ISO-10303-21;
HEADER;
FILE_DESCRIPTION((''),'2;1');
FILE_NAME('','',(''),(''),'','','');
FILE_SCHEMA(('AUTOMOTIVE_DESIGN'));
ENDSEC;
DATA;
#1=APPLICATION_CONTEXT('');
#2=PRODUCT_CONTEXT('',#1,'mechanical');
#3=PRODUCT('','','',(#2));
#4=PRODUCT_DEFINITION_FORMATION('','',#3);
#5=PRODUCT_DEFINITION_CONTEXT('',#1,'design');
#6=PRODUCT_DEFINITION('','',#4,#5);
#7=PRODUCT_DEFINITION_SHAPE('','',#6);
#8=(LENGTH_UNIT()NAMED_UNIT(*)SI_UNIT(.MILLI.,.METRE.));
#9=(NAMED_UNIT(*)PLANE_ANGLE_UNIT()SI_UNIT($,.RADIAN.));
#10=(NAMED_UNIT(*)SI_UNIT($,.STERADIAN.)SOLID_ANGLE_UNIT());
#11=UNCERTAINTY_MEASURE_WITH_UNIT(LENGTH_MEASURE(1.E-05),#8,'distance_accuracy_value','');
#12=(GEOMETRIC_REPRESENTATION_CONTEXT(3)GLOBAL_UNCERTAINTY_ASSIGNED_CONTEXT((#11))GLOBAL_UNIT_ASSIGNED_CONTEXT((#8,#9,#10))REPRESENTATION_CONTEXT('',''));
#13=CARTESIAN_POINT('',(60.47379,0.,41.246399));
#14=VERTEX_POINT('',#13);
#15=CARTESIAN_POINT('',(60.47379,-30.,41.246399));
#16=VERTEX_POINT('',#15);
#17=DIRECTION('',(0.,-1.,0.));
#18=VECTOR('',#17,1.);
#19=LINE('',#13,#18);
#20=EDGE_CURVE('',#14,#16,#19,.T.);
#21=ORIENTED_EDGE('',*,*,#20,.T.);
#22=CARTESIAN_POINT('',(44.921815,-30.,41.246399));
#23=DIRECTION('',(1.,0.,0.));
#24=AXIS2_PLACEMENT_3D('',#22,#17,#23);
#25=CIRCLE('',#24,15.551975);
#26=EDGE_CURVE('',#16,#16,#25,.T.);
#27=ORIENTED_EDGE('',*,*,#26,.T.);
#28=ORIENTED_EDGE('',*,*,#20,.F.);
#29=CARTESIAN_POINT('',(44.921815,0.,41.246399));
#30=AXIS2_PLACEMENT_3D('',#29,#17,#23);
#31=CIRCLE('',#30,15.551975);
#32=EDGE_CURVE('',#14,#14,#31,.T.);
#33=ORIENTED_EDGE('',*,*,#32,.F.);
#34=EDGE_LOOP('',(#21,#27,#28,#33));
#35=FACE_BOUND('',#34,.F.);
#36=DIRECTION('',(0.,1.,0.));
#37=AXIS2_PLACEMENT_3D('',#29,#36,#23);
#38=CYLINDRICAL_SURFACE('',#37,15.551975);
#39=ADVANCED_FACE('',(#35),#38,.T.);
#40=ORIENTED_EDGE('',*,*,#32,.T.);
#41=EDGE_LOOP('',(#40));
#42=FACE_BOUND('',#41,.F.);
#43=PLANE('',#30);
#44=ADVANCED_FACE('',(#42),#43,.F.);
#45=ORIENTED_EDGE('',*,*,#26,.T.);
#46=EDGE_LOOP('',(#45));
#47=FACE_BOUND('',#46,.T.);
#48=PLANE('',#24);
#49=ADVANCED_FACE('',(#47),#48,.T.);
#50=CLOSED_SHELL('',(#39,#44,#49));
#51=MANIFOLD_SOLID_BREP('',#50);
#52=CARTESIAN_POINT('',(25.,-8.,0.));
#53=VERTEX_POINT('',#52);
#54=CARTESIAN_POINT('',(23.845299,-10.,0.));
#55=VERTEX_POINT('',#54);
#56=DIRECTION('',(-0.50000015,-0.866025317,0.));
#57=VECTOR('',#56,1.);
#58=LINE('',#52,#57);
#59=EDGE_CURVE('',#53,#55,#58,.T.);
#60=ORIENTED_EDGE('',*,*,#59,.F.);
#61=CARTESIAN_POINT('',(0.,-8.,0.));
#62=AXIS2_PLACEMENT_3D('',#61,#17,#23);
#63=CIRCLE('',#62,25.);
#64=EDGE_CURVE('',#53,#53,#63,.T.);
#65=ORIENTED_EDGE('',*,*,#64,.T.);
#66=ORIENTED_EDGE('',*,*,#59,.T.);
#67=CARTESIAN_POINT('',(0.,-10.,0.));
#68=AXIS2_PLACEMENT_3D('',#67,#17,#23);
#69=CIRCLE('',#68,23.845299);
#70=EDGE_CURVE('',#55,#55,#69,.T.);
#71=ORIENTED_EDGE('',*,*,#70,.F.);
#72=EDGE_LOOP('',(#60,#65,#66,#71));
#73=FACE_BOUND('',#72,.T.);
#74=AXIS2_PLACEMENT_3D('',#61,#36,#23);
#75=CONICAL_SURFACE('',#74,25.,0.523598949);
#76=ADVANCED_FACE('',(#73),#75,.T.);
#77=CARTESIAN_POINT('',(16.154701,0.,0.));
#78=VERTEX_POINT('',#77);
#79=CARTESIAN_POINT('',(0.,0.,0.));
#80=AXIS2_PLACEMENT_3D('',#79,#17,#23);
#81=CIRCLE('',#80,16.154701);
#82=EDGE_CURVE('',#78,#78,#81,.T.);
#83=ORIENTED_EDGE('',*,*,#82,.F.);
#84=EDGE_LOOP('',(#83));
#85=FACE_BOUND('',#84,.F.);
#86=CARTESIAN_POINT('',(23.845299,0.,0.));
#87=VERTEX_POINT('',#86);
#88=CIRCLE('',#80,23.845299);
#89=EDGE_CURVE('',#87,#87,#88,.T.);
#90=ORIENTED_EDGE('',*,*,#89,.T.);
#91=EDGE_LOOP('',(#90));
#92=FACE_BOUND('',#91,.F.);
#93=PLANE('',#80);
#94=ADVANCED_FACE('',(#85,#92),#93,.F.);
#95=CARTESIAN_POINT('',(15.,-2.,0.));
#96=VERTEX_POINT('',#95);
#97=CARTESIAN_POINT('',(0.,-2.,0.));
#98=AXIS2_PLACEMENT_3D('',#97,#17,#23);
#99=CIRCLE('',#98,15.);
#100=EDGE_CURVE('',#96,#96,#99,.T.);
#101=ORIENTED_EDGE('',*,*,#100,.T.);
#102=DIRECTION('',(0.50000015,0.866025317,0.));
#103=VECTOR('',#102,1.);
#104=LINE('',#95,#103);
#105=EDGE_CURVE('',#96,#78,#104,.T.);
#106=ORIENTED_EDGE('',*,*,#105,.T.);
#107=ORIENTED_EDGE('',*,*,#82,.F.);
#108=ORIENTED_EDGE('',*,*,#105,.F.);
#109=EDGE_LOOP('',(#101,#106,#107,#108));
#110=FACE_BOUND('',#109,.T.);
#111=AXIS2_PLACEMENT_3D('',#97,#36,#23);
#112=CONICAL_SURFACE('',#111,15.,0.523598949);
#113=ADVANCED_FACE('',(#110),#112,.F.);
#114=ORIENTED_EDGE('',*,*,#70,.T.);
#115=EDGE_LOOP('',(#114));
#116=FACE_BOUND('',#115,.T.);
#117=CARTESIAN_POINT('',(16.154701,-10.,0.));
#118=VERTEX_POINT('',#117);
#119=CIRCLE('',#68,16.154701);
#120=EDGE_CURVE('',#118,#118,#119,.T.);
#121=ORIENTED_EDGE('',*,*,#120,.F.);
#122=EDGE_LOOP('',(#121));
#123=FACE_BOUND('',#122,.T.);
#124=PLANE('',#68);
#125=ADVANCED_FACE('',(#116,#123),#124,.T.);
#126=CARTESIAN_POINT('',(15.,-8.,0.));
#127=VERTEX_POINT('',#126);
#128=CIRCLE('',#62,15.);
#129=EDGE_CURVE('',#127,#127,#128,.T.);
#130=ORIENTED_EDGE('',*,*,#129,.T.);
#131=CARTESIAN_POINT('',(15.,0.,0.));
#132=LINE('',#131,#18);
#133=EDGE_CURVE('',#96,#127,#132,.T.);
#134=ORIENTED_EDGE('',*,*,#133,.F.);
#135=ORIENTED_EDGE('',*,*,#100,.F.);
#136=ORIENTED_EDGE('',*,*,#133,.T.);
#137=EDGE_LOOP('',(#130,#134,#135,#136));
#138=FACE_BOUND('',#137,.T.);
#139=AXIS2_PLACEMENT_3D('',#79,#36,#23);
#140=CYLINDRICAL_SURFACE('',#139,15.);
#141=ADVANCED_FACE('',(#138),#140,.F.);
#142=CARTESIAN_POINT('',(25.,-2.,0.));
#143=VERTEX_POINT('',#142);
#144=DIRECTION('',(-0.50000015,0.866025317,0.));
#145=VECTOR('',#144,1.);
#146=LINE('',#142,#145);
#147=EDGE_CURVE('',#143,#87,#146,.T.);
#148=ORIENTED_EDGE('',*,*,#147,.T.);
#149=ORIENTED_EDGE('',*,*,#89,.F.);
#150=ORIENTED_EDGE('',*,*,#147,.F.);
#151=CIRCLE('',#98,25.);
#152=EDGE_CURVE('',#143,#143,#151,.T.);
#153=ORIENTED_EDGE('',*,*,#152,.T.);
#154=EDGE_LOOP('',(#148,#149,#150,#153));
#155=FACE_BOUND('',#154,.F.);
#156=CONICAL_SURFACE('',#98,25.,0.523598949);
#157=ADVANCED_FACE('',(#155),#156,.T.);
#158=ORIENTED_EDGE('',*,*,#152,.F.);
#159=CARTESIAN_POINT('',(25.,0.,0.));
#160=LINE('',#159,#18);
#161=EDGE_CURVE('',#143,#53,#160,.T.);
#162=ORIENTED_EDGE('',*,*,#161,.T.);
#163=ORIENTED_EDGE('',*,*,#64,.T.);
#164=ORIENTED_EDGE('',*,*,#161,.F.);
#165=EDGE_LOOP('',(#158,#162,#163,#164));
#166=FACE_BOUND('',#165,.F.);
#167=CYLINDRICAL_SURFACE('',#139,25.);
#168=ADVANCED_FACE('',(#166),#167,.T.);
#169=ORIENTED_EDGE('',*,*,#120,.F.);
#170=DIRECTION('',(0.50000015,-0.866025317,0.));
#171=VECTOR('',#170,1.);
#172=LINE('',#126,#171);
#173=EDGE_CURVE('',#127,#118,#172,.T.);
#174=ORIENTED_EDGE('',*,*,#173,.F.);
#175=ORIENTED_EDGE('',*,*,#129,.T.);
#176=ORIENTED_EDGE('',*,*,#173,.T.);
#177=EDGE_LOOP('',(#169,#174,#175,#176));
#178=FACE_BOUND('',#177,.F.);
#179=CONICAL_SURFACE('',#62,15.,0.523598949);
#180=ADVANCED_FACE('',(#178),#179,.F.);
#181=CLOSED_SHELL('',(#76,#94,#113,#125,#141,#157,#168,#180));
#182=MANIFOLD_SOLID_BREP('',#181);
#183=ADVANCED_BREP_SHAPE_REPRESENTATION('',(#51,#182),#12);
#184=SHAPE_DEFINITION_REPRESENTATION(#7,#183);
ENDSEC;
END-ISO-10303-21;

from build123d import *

# Parameters (mm, degrees)
F0_R     = 25
F0_R_2   = 15
F1_DEPTH = 10
F2_SIZE2 = 1.154701
F2_SIZE  = 2
F3_R     = 15.551975
F4_DEPTH = 30


with BuildPart() as f1:
    # F0 (on Front) → F1 (new body)
    with BuildSketch(Plane.XZ):
        Circle(F0_R)
        Circle(F0_R_2, mode=Mode.SUBTRACT)
    extrude(amount=F1_DEPTH)

    # F2
    f2_edges = [f1.edges().sort_by_distance(p)[0] for p in [
        (-25, 0, 0),
        (-15, 0, 0),
        (-25, -10, 0),
        (-15, -10, 0),
    ]]
    chamfer(f2_edges, length=F2_SIZE, length2=F2_SIZE2)


with BuildPart() as f4:
    # F3 (on Front) → F4 (new body)
    with BuildSketch(Plane.XZ):
        with Locations((44.921815, 41.246399)):
            Circle(F3_R)
    extrude(amount=F4_DEPTH)


solid = Compound([f1.part, f4.part])
